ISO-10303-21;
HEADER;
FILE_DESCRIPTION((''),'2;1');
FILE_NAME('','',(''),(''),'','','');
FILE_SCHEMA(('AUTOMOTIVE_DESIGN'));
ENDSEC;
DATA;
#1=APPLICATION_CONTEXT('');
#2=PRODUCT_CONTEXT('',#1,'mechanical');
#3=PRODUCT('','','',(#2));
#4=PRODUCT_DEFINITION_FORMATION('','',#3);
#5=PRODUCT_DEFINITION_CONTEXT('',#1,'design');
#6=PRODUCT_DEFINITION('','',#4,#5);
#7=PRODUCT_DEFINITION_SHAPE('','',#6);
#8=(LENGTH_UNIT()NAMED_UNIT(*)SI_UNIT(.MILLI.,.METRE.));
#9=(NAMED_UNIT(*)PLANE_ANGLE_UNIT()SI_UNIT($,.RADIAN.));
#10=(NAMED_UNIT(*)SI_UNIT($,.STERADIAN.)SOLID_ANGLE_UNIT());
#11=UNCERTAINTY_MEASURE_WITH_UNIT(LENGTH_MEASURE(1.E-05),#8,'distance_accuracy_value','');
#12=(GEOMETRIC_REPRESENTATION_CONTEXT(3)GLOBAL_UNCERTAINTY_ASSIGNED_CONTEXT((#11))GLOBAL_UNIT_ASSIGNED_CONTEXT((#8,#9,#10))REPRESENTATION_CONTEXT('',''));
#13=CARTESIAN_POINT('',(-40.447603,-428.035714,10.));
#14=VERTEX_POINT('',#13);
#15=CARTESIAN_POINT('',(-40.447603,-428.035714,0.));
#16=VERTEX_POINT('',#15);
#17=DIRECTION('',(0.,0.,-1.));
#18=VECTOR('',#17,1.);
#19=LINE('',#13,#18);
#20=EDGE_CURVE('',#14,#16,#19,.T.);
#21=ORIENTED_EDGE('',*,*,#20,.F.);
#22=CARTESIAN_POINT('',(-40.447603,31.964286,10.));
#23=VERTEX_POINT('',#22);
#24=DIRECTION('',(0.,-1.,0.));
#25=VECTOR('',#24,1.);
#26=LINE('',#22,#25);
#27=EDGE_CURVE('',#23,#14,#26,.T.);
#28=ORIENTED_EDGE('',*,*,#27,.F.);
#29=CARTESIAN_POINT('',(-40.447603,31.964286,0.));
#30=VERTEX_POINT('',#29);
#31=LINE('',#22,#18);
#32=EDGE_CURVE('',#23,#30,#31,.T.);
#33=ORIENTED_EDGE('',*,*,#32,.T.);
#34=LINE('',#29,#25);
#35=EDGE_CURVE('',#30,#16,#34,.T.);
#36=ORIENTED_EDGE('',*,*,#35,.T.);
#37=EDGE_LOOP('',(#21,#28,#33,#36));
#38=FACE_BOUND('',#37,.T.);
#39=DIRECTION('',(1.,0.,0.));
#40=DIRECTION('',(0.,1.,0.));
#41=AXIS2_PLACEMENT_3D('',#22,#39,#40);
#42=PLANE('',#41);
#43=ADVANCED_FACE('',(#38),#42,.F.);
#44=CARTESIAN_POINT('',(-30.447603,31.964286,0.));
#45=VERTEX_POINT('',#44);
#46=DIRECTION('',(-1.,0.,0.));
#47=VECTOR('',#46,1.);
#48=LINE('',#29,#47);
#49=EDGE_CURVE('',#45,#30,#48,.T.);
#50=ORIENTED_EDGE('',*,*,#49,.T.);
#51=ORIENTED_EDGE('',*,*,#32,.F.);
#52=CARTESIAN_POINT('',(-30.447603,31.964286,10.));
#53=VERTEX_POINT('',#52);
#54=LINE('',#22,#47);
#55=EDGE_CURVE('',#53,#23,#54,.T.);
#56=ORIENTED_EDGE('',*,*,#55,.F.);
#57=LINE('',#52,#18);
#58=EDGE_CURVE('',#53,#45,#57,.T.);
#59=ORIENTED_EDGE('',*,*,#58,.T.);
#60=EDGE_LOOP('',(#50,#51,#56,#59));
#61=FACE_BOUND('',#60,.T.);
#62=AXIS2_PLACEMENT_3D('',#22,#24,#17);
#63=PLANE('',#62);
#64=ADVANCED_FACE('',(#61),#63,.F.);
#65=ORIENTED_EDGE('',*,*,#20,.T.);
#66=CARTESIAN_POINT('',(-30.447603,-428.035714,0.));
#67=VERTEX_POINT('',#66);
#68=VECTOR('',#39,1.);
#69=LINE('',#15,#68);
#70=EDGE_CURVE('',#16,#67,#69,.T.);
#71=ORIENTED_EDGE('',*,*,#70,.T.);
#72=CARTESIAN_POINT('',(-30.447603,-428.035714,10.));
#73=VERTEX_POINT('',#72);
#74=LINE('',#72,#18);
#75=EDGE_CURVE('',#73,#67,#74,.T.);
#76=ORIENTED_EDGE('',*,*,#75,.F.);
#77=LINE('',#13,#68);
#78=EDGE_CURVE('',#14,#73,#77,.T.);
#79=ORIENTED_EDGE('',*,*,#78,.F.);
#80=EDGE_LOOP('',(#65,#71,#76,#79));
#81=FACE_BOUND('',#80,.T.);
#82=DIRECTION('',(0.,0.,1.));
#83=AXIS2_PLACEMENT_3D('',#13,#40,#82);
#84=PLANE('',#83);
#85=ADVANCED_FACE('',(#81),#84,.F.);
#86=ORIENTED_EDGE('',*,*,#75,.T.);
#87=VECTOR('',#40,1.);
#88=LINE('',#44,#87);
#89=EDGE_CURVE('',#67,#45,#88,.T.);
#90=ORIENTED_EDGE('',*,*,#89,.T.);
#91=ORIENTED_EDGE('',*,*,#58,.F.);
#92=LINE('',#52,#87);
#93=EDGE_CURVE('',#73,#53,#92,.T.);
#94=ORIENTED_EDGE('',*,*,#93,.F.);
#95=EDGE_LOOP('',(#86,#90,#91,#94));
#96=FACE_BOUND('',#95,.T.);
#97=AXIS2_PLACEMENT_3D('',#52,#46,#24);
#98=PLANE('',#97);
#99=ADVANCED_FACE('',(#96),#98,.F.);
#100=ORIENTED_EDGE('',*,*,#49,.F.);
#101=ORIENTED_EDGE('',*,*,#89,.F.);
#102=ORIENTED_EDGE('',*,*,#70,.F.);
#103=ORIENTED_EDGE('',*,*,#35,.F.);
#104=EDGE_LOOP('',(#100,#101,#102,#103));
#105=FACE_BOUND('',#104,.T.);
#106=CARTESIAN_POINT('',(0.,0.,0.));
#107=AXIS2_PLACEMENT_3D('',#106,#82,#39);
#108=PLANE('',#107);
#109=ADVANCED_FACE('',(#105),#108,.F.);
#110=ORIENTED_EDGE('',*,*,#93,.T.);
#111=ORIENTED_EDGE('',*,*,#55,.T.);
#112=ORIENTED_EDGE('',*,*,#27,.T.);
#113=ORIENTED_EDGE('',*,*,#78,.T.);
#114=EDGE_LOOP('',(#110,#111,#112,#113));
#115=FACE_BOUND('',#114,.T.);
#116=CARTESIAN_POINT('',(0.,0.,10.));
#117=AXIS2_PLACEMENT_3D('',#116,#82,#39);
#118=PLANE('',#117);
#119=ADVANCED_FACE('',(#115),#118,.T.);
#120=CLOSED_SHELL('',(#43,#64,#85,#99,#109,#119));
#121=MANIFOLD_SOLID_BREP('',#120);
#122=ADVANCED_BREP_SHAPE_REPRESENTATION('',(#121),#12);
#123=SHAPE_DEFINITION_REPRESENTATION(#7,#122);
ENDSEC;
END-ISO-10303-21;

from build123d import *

# Parameters (mm, degrees)
ESQUISSE1_W        = 10
ESQUISSE1_H        = 460
BOSS_EXTRU_1_DEPTH = 10


with BuildPart() as part:
    # Esquisse1 → Boss.-Extru.1 (new body)
    with BuildSketch(Plane.XY):
        with Locations((-35.447603383, -198.035714286)):
            Rectangle(ESQUISSE1_W, ESQUISSE1_H)
    extrude(amount=BOSS_EXTRU_1_DEPTH)


solid = part.part
